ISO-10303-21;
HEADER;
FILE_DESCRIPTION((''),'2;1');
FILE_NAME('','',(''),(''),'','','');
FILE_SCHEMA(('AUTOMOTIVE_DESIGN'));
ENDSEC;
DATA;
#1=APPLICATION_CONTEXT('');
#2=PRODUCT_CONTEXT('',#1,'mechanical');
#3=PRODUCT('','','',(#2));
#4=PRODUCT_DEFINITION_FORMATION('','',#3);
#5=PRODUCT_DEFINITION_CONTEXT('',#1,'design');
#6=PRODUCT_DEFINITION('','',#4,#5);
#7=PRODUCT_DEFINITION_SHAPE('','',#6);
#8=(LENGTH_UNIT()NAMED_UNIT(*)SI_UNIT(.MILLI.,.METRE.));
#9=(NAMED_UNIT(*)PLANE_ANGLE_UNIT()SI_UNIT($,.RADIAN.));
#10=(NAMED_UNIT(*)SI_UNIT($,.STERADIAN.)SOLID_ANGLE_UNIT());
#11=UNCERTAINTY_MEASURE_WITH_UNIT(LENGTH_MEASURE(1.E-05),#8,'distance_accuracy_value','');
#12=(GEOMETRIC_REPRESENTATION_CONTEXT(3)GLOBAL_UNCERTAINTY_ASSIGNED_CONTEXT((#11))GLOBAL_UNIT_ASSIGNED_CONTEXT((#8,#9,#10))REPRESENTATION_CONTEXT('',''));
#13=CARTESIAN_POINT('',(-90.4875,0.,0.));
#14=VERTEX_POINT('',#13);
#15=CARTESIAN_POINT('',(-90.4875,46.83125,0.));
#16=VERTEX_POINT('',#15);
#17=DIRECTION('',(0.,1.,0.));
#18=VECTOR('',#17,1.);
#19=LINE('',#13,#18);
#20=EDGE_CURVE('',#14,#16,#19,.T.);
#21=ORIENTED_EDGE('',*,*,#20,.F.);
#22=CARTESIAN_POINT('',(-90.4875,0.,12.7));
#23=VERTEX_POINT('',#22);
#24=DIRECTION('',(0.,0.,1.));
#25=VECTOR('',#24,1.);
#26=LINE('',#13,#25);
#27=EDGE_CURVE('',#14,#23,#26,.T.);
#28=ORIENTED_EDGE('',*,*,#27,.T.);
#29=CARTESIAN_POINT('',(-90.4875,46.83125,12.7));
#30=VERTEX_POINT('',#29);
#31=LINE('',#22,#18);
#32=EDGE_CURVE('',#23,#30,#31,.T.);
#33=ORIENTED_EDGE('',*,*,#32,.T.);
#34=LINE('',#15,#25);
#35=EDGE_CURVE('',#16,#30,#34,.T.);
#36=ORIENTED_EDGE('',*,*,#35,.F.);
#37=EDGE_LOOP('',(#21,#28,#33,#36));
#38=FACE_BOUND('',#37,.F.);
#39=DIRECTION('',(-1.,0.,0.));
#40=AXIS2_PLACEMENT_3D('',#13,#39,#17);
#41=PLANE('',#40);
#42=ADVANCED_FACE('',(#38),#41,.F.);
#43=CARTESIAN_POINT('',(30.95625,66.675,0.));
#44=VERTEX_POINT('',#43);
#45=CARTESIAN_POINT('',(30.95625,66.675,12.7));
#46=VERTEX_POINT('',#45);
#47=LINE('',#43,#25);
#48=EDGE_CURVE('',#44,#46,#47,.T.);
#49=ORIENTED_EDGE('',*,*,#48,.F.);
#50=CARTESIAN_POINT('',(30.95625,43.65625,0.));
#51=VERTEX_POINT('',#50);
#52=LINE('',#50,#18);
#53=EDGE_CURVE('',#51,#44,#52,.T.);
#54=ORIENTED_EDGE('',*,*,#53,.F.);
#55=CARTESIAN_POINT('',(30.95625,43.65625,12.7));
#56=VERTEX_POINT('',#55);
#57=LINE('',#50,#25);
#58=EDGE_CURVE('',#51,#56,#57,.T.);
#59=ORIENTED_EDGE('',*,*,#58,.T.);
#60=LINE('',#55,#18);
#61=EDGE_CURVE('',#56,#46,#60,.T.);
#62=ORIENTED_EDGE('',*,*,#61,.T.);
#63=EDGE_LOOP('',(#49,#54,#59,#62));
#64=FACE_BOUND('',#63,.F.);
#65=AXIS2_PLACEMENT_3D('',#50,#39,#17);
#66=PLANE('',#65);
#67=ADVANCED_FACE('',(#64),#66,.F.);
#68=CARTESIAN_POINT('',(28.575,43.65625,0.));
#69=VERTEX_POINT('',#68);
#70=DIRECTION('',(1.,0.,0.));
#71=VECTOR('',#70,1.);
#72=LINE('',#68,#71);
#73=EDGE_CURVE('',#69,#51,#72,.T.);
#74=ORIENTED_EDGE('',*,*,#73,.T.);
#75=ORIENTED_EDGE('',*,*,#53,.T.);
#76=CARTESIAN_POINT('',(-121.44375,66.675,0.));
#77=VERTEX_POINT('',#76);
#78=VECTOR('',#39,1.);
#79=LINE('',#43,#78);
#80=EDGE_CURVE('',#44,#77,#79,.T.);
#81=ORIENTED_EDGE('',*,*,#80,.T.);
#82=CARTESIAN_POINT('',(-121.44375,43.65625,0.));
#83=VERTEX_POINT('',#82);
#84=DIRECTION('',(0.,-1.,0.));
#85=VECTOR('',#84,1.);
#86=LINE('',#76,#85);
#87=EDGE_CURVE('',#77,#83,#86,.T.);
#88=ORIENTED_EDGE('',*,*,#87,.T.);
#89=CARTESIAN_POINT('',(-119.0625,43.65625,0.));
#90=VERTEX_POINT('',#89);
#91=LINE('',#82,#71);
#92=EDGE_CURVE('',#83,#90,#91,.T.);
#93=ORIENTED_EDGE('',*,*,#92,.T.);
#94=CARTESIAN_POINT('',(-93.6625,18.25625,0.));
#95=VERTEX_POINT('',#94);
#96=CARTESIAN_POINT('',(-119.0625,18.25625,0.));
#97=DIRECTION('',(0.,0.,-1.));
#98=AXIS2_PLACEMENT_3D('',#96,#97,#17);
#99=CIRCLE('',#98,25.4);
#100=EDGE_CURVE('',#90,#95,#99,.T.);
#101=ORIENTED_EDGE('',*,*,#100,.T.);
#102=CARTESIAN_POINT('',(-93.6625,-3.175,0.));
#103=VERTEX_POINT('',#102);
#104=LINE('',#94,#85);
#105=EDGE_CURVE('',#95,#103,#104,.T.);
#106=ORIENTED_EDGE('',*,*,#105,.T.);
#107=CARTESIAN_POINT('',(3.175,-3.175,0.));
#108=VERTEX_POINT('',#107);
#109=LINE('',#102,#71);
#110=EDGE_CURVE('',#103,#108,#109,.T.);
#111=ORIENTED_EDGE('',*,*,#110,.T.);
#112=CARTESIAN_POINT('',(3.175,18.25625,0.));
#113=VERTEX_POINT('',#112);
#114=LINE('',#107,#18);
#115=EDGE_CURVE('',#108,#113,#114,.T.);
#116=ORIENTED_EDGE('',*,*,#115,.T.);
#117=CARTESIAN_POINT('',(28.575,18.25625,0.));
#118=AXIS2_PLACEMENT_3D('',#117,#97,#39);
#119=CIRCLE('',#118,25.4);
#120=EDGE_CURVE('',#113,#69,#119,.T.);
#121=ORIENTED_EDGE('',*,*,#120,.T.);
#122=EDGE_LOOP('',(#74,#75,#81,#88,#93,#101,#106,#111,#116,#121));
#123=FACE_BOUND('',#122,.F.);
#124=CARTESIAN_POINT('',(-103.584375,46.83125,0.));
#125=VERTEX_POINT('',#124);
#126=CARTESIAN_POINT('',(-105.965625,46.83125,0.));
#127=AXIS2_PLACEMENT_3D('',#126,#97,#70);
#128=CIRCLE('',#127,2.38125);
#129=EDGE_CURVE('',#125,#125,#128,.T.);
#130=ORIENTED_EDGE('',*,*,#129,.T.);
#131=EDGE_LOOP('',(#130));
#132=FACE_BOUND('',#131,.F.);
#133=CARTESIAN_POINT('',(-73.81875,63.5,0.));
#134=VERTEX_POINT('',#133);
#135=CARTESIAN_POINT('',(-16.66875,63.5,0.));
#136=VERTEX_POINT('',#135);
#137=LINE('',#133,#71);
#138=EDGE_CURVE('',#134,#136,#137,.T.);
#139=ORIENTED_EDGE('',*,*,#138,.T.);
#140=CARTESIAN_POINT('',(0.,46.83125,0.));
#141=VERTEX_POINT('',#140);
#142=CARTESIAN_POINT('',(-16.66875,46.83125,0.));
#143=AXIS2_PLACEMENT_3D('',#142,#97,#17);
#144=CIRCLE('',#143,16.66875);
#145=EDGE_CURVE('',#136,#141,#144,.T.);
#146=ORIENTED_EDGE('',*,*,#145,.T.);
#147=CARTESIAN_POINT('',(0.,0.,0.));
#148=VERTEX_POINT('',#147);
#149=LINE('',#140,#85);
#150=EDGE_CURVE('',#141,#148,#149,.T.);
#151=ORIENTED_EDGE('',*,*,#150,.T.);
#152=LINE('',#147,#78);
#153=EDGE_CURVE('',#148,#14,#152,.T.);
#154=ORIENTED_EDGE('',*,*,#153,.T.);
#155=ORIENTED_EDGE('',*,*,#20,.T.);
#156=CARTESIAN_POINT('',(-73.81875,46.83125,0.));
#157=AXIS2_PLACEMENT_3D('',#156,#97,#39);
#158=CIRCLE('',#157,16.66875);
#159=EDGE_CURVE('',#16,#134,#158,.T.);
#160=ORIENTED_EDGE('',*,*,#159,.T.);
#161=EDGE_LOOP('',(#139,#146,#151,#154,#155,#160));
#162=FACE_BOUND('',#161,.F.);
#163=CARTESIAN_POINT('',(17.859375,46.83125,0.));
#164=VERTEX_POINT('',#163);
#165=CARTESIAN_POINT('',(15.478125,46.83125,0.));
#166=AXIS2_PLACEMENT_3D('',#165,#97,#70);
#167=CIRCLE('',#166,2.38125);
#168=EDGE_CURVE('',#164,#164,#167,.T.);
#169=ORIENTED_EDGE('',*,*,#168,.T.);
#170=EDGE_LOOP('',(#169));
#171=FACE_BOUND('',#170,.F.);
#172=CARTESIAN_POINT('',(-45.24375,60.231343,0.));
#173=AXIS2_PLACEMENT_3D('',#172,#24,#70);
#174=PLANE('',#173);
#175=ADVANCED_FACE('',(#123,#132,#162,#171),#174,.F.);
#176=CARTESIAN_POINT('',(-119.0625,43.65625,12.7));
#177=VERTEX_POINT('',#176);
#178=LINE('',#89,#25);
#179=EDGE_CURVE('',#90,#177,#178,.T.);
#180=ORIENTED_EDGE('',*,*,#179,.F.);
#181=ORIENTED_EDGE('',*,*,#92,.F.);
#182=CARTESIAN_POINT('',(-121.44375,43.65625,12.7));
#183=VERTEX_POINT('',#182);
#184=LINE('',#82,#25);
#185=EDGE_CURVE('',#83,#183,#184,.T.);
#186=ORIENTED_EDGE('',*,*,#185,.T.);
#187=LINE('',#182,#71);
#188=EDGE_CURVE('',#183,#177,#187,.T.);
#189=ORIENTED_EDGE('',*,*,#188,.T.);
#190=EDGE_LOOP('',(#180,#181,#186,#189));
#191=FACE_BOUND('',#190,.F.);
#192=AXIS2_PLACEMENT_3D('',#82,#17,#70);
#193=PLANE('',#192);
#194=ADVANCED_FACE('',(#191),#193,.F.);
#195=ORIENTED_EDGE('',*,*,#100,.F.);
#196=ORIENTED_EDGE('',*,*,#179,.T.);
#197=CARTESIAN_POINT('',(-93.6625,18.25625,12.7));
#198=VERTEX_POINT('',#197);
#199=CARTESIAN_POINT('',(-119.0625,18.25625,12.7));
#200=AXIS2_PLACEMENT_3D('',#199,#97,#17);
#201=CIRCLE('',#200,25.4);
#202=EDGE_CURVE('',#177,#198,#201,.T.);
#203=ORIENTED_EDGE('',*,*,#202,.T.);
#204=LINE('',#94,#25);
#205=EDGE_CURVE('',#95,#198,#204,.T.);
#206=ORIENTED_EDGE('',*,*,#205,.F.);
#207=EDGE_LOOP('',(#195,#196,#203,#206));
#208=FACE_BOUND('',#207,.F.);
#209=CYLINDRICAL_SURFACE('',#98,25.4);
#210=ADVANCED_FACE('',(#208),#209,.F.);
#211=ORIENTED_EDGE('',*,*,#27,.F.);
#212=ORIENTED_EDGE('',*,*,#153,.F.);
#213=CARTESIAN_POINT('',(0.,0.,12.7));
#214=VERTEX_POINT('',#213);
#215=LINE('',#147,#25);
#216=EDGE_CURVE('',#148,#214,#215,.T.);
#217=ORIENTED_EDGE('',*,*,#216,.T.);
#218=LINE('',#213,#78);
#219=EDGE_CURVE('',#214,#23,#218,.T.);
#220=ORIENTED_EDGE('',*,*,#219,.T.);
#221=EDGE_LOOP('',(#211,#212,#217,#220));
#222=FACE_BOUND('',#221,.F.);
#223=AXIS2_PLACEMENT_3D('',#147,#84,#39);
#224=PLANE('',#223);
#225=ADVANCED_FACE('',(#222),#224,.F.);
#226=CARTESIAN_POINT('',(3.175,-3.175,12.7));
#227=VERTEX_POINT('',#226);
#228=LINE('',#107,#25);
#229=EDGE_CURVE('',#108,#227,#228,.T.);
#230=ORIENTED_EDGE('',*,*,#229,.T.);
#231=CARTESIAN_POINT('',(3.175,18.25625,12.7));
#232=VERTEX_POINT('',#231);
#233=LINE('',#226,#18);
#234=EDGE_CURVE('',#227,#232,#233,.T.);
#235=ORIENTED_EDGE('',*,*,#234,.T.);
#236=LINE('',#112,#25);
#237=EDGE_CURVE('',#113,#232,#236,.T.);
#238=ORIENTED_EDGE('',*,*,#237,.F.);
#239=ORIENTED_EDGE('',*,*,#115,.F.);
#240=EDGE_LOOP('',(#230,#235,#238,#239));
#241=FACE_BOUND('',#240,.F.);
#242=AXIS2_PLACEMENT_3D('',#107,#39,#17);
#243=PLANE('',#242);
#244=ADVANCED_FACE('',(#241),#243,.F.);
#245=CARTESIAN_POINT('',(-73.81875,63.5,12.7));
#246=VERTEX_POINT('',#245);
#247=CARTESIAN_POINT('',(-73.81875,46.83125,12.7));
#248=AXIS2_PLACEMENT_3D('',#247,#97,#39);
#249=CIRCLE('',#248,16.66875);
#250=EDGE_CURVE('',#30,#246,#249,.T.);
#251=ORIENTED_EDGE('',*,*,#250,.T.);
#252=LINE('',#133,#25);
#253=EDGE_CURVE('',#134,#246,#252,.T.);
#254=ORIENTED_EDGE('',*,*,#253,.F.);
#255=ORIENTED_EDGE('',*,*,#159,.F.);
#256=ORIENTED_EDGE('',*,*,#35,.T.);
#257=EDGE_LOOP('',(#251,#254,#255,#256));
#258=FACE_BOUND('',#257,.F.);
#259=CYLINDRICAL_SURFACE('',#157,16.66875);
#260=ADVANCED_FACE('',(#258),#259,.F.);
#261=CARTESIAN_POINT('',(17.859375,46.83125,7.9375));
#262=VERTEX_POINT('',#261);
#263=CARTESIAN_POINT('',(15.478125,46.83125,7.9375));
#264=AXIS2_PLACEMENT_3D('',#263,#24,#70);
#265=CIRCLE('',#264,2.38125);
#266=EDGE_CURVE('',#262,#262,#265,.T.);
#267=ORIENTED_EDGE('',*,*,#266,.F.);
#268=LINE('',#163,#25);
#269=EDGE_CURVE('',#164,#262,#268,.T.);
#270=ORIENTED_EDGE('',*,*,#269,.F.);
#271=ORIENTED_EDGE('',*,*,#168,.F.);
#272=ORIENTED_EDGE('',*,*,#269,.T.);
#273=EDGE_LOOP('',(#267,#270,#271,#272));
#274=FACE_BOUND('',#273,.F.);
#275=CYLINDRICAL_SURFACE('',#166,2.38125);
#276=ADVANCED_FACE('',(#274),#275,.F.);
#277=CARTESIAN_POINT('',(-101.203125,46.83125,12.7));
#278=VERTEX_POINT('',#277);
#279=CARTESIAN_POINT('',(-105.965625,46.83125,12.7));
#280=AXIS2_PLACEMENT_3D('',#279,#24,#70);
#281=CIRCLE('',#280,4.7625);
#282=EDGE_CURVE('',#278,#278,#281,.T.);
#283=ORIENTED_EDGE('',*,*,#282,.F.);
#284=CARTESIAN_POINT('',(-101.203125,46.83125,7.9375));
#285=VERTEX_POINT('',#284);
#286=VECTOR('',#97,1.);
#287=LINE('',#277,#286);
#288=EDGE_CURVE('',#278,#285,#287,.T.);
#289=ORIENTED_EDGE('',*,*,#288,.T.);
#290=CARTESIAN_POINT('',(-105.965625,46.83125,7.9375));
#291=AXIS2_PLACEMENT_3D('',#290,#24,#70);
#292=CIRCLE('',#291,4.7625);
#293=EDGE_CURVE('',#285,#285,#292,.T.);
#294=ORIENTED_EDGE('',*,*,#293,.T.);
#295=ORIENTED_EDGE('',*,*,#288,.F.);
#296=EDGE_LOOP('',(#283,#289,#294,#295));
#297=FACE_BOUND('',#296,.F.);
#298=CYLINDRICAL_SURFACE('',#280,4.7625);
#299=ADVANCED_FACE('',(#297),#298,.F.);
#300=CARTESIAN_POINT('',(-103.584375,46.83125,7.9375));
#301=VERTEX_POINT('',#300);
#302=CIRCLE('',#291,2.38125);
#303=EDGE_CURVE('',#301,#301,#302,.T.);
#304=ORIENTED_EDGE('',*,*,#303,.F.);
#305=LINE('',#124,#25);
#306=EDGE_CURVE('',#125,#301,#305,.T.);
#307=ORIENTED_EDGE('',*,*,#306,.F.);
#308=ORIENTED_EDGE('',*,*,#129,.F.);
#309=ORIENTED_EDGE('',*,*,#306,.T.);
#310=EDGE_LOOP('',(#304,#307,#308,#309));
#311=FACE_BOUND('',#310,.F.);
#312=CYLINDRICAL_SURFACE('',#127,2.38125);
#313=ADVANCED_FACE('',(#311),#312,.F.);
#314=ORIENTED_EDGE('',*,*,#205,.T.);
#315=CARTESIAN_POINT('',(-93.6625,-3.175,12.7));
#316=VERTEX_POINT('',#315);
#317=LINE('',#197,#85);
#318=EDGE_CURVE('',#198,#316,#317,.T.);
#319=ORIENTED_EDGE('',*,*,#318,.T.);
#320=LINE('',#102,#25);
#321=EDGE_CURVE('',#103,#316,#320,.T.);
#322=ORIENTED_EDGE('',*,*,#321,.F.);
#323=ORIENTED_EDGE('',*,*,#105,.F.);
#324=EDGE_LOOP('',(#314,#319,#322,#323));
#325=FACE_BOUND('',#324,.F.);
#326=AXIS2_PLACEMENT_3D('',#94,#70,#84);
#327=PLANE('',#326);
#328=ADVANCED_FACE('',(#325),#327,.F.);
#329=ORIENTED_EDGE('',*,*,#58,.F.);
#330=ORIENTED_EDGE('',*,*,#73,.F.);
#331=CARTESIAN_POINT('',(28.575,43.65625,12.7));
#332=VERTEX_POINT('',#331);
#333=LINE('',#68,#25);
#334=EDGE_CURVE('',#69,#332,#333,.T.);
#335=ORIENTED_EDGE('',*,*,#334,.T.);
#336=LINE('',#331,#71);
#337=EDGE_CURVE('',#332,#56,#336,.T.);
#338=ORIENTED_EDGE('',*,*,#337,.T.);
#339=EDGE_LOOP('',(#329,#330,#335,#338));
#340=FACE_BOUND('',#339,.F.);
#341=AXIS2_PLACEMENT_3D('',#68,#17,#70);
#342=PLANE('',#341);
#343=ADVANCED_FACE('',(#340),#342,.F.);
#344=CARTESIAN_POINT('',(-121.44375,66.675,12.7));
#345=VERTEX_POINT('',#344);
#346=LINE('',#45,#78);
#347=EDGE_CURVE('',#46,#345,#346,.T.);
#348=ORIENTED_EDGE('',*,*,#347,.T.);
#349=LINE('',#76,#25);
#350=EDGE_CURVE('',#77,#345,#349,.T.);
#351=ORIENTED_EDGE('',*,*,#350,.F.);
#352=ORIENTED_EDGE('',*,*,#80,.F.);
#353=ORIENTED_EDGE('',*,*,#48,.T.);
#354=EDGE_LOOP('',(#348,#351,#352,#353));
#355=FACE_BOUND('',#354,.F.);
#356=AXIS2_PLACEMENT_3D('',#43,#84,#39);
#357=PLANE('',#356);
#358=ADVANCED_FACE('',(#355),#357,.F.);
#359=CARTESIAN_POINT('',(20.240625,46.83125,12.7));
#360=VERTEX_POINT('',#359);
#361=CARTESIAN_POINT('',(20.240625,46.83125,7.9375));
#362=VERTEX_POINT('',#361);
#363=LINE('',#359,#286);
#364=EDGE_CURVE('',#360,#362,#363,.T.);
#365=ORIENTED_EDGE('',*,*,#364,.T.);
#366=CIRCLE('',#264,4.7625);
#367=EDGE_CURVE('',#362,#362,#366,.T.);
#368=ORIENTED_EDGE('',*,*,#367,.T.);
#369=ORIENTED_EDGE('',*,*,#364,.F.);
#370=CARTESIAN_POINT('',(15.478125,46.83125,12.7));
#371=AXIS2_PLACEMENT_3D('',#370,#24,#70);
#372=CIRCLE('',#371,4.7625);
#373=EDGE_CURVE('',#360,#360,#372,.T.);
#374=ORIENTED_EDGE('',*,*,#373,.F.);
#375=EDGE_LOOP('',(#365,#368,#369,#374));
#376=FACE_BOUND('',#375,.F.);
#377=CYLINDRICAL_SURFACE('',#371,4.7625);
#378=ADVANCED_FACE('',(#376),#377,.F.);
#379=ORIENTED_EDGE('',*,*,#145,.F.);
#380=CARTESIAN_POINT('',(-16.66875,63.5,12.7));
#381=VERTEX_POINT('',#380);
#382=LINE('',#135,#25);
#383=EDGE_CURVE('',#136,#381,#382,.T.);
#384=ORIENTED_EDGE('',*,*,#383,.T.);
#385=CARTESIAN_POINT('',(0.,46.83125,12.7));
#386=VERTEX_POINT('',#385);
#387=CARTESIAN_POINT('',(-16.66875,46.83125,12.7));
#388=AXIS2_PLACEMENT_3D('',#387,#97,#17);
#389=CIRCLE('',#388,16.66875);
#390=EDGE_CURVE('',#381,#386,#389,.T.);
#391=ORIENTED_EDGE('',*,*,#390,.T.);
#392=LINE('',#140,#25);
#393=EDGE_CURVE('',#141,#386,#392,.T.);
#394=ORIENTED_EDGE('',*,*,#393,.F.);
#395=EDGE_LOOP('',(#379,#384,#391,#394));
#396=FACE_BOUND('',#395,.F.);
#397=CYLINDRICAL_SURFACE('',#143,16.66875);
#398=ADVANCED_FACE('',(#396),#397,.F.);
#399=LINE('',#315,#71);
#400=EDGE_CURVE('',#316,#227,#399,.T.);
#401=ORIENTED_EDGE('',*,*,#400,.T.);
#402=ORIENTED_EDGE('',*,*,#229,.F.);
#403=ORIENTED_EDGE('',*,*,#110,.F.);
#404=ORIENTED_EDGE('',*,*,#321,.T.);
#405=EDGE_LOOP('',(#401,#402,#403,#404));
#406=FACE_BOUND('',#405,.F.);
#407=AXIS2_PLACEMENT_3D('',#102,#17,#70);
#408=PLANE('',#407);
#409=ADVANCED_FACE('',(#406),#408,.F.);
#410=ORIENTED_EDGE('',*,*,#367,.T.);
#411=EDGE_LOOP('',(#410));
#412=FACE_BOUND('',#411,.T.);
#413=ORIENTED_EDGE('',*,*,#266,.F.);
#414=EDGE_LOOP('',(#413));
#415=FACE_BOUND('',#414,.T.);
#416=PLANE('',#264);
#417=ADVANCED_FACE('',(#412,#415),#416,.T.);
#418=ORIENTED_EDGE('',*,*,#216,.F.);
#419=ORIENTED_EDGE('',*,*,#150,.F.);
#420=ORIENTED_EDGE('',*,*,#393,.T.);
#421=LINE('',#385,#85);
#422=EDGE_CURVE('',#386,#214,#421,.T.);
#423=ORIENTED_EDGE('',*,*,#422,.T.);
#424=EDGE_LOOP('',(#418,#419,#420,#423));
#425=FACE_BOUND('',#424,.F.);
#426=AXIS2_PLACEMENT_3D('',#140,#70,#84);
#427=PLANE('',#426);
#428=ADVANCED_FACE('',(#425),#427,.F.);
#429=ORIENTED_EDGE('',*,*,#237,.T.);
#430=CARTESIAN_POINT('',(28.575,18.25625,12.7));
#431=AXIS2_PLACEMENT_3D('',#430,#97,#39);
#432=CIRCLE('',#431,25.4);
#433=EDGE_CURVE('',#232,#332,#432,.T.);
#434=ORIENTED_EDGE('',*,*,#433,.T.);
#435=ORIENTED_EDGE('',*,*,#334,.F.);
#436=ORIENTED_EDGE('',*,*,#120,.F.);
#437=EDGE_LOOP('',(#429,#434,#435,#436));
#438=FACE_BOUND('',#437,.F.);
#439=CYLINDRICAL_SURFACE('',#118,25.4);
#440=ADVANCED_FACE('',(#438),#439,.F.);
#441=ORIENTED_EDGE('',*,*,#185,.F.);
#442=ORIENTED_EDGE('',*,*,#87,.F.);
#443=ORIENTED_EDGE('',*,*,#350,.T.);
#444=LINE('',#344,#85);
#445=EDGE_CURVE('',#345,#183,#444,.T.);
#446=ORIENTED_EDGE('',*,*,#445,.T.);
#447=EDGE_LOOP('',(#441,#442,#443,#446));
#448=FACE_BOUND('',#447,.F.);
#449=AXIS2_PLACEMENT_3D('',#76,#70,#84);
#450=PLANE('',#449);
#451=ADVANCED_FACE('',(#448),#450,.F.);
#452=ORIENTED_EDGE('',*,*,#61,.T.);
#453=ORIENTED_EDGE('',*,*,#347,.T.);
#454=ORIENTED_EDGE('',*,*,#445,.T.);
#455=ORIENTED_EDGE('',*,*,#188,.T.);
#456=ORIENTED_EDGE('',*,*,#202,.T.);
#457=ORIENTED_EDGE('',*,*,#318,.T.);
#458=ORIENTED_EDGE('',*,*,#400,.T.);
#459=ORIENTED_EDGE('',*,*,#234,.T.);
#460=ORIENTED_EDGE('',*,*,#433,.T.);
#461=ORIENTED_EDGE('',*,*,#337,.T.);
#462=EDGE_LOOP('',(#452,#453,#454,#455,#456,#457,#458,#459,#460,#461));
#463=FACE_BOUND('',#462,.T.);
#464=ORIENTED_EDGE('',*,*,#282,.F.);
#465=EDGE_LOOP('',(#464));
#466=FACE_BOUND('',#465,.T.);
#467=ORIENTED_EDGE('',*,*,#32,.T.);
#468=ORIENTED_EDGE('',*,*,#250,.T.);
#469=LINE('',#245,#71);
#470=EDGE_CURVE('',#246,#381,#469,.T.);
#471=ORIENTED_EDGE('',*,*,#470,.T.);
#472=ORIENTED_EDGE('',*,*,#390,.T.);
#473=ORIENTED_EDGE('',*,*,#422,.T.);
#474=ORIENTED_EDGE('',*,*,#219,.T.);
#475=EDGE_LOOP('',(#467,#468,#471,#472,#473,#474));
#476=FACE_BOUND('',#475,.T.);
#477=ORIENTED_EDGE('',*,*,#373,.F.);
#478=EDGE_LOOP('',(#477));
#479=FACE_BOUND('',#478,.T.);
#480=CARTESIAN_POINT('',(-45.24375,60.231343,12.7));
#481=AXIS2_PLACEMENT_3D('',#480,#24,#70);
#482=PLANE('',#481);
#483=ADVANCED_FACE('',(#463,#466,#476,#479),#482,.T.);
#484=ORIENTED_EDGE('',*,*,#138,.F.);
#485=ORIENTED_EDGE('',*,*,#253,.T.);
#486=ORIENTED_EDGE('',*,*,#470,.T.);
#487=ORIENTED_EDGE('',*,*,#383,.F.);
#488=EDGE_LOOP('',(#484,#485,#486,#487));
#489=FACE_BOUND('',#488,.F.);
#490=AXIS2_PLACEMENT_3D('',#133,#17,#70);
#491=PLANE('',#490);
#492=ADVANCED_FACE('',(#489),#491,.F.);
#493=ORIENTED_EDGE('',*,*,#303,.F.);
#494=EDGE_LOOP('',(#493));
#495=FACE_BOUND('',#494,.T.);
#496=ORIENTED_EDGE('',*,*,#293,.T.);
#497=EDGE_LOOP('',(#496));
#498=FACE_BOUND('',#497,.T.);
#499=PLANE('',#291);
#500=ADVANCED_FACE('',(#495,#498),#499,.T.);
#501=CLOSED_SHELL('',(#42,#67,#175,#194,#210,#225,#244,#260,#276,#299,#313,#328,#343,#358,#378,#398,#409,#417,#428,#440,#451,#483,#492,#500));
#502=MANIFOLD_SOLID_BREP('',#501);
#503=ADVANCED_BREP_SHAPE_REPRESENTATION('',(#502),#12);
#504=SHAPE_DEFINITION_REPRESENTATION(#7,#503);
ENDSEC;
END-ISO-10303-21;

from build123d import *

# Parameters (mm, degrees)
F1_DEPTH = 12.7
F2_R     = 4.7625
F2_R_2   = 2.38125
F3_DEPTH = 4.7625


with BuildPart() as f1:
    # F0 (on Top) → F1 (new body)
    with BuildSketch(Plane.XY):
        with BuildLine():
            ThreePointArc((-16.66875, 63.5), (-4.8821638411, 58.6178361589), (0, 46.83125))
            Line((0, 46.83125), (13.096875, 46.83125))
            ThreePointArc((13.096875, 46.83125), (15.478125, 49.2125), (17.859375, 46.83125))
            Line((17.859375, 46.83125), (30.95625, 46.83125))
            Line((30.95625, 46.83125), (30.95625, 66.675))
            Line((30.95625, 66.675), (-121.44375, 66.675))
            Line((-121.44375, 66.675), (-121.44375, 46.83125))
            Line((-121.44375, 46.83125), (-108.346875, 46.83125))
            ThreePointArc((-108.346875, 46.83125), (-105.965625, 49.2125), (-103.584375, 46.83125))
            Line((-103.584375, 46.83125), (-90.4875, 46.83125))
            ThreePointArc((-90.4875, 46.83125), (-85.6053361589, 58.6178361589), (-73.81875, 63.5))
            Line((-73.81875, 63.5), (-16.66875, 63.5))
        make_face()
        with BuildLine():
            Line((0, 46.83125), (0, 0))
            Line((0, 0), (-90.4875, 0))
            Line((-90.4875, 0), (-90.4875, 46.83125))
            Line((-90.4875, 46.83125), (-103.584375, 46.83125))
            ThreePointArc((-103.584375, 46.83125), (-105.965625, 44.45), (-108.346875, 46.83125))
            Line((-108.346875, 46.83125), (-121.44375, 46.83125))
            Line((-121.44375, 46.83125), (-121.44375, 43.65625))
            Line((-121.44375, 43.65625), (-119.0625, 43.65625))
            ThreePointArc((-119.0625, 43.65625), (-101.1019877579, 36.2167622421), (-93.6625, 18.25625))
            Line((-93.6625, 18.25625), (-93.6625, -3.175))
            Line((-93.6625, -3.175), (3.175, -3.175))
            Line((3.175, -3.175), (3.175, 18.25625))
            ThreePointArc((3.175, 18.25625), (10.6144877579, 36.2167622421), (28.575, 43.65625))
            Line((28.575, 43.65625), (30.95625, 43.65625))
            Line((30.95625, 43.65625), (30.95625, 46.83125))
            Line((30.95625, 46.83125), (17.859375, 46.83125))
            ThreePointArc((17.859375, 46.83125), (15.478125, 44.45), (13.096875, 46.83125))
            Line((13.096875, 46.83125), (0, 46.83125))
        make_face()
    extrude(amount=F1_DEPTH)

    # F2 (on face) → F3 (cut)
    with BuildSketch(Plane.XY.offset(12.7)):
        with Locations((-105.965625, 46.83125)):
            Circle(F2_R)
        with Locations((-105.965625, 46.83125)):
            Circle(F2_R_2, mode=Mode.SUBTRACT)
        with Locations((15.478125, 46.83125)):
            Circle(F2_R)
        with Locations((15.478125, 46.83125)):
            Circle(F2_R_2, mode=Mode.SUBTRACT)
    extrude(amount=-F3_DEPTH, mode=Mode.SUBTRACT)


solid = f1.part
